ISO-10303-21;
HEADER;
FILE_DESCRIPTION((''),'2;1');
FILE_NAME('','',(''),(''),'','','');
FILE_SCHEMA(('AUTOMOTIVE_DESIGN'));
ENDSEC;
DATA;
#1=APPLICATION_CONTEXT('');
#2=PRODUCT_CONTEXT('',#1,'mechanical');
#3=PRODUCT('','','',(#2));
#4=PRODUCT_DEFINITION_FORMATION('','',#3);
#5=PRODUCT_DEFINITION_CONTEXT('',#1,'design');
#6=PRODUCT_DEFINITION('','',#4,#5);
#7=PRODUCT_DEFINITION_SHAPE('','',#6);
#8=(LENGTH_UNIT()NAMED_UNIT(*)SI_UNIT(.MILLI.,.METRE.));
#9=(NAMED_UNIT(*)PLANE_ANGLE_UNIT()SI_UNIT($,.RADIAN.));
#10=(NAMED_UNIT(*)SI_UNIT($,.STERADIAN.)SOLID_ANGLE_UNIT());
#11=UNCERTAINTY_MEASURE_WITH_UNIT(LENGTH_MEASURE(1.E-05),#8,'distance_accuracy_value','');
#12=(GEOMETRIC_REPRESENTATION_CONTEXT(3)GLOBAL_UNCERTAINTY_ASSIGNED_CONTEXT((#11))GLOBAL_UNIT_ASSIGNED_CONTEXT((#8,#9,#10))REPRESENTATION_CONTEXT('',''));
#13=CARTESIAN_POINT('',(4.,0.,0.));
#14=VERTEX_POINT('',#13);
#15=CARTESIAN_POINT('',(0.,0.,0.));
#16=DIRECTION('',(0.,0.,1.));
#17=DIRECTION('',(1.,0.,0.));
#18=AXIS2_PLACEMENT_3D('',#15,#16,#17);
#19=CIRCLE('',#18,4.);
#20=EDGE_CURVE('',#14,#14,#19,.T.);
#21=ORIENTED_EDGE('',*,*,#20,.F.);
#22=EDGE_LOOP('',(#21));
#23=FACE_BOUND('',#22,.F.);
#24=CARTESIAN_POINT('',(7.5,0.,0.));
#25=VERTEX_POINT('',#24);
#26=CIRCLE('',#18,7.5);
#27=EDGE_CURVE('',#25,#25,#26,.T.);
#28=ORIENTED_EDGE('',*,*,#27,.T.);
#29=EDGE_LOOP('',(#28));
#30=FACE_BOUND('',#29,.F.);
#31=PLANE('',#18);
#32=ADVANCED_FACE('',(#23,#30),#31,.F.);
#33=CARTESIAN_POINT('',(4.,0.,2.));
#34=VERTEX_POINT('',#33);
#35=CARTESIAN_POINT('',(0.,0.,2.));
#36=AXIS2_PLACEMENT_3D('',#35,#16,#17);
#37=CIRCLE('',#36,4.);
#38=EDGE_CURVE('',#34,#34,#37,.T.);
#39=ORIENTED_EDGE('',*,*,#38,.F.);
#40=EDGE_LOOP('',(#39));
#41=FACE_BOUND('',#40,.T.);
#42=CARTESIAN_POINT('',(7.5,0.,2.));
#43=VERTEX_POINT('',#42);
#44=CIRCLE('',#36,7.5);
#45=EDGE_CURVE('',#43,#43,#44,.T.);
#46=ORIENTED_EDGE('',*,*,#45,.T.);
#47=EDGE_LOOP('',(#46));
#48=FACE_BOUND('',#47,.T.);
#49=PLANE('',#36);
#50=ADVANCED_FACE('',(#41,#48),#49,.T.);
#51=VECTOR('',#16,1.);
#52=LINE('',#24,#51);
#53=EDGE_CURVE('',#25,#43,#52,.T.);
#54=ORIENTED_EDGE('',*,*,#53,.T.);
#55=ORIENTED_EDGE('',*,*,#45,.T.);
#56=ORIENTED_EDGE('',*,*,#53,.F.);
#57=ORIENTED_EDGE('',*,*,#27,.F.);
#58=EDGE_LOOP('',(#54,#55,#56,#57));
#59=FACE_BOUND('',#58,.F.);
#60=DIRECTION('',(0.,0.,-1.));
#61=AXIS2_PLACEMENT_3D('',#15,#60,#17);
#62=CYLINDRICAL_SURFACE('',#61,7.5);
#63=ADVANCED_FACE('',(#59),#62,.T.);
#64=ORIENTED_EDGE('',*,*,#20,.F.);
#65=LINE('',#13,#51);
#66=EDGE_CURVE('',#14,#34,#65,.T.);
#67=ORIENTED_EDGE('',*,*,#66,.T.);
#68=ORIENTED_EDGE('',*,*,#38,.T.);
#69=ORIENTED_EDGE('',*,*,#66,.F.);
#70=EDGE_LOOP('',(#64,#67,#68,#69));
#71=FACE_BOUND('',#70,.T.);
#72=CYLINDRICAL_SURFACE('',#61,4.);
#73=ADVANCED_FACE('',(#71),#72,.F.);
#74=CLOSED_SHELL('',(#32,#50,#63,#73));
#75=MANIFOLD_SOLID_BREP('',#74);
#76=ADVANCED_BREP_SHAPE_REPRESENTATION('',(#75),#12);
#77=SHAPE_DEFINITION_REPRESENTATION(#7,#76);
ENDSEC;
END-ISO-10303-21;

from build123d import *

# Parameters (mm, degrees)
SKETCH_R   = 7.5
SKETCH_R_2 = 4
PAD_DEPTH  = 2


with BuildPart() as part:
    # Sketch → Pad (new body)
    with BuildSketch(Plane.XY):
        Circle(SKETCH_R)
        Circle(SKETCH_R_2, mode=Mode.SUBTRACT)
    extrude(amount=PAD_DEPTH)


solid = part.part
